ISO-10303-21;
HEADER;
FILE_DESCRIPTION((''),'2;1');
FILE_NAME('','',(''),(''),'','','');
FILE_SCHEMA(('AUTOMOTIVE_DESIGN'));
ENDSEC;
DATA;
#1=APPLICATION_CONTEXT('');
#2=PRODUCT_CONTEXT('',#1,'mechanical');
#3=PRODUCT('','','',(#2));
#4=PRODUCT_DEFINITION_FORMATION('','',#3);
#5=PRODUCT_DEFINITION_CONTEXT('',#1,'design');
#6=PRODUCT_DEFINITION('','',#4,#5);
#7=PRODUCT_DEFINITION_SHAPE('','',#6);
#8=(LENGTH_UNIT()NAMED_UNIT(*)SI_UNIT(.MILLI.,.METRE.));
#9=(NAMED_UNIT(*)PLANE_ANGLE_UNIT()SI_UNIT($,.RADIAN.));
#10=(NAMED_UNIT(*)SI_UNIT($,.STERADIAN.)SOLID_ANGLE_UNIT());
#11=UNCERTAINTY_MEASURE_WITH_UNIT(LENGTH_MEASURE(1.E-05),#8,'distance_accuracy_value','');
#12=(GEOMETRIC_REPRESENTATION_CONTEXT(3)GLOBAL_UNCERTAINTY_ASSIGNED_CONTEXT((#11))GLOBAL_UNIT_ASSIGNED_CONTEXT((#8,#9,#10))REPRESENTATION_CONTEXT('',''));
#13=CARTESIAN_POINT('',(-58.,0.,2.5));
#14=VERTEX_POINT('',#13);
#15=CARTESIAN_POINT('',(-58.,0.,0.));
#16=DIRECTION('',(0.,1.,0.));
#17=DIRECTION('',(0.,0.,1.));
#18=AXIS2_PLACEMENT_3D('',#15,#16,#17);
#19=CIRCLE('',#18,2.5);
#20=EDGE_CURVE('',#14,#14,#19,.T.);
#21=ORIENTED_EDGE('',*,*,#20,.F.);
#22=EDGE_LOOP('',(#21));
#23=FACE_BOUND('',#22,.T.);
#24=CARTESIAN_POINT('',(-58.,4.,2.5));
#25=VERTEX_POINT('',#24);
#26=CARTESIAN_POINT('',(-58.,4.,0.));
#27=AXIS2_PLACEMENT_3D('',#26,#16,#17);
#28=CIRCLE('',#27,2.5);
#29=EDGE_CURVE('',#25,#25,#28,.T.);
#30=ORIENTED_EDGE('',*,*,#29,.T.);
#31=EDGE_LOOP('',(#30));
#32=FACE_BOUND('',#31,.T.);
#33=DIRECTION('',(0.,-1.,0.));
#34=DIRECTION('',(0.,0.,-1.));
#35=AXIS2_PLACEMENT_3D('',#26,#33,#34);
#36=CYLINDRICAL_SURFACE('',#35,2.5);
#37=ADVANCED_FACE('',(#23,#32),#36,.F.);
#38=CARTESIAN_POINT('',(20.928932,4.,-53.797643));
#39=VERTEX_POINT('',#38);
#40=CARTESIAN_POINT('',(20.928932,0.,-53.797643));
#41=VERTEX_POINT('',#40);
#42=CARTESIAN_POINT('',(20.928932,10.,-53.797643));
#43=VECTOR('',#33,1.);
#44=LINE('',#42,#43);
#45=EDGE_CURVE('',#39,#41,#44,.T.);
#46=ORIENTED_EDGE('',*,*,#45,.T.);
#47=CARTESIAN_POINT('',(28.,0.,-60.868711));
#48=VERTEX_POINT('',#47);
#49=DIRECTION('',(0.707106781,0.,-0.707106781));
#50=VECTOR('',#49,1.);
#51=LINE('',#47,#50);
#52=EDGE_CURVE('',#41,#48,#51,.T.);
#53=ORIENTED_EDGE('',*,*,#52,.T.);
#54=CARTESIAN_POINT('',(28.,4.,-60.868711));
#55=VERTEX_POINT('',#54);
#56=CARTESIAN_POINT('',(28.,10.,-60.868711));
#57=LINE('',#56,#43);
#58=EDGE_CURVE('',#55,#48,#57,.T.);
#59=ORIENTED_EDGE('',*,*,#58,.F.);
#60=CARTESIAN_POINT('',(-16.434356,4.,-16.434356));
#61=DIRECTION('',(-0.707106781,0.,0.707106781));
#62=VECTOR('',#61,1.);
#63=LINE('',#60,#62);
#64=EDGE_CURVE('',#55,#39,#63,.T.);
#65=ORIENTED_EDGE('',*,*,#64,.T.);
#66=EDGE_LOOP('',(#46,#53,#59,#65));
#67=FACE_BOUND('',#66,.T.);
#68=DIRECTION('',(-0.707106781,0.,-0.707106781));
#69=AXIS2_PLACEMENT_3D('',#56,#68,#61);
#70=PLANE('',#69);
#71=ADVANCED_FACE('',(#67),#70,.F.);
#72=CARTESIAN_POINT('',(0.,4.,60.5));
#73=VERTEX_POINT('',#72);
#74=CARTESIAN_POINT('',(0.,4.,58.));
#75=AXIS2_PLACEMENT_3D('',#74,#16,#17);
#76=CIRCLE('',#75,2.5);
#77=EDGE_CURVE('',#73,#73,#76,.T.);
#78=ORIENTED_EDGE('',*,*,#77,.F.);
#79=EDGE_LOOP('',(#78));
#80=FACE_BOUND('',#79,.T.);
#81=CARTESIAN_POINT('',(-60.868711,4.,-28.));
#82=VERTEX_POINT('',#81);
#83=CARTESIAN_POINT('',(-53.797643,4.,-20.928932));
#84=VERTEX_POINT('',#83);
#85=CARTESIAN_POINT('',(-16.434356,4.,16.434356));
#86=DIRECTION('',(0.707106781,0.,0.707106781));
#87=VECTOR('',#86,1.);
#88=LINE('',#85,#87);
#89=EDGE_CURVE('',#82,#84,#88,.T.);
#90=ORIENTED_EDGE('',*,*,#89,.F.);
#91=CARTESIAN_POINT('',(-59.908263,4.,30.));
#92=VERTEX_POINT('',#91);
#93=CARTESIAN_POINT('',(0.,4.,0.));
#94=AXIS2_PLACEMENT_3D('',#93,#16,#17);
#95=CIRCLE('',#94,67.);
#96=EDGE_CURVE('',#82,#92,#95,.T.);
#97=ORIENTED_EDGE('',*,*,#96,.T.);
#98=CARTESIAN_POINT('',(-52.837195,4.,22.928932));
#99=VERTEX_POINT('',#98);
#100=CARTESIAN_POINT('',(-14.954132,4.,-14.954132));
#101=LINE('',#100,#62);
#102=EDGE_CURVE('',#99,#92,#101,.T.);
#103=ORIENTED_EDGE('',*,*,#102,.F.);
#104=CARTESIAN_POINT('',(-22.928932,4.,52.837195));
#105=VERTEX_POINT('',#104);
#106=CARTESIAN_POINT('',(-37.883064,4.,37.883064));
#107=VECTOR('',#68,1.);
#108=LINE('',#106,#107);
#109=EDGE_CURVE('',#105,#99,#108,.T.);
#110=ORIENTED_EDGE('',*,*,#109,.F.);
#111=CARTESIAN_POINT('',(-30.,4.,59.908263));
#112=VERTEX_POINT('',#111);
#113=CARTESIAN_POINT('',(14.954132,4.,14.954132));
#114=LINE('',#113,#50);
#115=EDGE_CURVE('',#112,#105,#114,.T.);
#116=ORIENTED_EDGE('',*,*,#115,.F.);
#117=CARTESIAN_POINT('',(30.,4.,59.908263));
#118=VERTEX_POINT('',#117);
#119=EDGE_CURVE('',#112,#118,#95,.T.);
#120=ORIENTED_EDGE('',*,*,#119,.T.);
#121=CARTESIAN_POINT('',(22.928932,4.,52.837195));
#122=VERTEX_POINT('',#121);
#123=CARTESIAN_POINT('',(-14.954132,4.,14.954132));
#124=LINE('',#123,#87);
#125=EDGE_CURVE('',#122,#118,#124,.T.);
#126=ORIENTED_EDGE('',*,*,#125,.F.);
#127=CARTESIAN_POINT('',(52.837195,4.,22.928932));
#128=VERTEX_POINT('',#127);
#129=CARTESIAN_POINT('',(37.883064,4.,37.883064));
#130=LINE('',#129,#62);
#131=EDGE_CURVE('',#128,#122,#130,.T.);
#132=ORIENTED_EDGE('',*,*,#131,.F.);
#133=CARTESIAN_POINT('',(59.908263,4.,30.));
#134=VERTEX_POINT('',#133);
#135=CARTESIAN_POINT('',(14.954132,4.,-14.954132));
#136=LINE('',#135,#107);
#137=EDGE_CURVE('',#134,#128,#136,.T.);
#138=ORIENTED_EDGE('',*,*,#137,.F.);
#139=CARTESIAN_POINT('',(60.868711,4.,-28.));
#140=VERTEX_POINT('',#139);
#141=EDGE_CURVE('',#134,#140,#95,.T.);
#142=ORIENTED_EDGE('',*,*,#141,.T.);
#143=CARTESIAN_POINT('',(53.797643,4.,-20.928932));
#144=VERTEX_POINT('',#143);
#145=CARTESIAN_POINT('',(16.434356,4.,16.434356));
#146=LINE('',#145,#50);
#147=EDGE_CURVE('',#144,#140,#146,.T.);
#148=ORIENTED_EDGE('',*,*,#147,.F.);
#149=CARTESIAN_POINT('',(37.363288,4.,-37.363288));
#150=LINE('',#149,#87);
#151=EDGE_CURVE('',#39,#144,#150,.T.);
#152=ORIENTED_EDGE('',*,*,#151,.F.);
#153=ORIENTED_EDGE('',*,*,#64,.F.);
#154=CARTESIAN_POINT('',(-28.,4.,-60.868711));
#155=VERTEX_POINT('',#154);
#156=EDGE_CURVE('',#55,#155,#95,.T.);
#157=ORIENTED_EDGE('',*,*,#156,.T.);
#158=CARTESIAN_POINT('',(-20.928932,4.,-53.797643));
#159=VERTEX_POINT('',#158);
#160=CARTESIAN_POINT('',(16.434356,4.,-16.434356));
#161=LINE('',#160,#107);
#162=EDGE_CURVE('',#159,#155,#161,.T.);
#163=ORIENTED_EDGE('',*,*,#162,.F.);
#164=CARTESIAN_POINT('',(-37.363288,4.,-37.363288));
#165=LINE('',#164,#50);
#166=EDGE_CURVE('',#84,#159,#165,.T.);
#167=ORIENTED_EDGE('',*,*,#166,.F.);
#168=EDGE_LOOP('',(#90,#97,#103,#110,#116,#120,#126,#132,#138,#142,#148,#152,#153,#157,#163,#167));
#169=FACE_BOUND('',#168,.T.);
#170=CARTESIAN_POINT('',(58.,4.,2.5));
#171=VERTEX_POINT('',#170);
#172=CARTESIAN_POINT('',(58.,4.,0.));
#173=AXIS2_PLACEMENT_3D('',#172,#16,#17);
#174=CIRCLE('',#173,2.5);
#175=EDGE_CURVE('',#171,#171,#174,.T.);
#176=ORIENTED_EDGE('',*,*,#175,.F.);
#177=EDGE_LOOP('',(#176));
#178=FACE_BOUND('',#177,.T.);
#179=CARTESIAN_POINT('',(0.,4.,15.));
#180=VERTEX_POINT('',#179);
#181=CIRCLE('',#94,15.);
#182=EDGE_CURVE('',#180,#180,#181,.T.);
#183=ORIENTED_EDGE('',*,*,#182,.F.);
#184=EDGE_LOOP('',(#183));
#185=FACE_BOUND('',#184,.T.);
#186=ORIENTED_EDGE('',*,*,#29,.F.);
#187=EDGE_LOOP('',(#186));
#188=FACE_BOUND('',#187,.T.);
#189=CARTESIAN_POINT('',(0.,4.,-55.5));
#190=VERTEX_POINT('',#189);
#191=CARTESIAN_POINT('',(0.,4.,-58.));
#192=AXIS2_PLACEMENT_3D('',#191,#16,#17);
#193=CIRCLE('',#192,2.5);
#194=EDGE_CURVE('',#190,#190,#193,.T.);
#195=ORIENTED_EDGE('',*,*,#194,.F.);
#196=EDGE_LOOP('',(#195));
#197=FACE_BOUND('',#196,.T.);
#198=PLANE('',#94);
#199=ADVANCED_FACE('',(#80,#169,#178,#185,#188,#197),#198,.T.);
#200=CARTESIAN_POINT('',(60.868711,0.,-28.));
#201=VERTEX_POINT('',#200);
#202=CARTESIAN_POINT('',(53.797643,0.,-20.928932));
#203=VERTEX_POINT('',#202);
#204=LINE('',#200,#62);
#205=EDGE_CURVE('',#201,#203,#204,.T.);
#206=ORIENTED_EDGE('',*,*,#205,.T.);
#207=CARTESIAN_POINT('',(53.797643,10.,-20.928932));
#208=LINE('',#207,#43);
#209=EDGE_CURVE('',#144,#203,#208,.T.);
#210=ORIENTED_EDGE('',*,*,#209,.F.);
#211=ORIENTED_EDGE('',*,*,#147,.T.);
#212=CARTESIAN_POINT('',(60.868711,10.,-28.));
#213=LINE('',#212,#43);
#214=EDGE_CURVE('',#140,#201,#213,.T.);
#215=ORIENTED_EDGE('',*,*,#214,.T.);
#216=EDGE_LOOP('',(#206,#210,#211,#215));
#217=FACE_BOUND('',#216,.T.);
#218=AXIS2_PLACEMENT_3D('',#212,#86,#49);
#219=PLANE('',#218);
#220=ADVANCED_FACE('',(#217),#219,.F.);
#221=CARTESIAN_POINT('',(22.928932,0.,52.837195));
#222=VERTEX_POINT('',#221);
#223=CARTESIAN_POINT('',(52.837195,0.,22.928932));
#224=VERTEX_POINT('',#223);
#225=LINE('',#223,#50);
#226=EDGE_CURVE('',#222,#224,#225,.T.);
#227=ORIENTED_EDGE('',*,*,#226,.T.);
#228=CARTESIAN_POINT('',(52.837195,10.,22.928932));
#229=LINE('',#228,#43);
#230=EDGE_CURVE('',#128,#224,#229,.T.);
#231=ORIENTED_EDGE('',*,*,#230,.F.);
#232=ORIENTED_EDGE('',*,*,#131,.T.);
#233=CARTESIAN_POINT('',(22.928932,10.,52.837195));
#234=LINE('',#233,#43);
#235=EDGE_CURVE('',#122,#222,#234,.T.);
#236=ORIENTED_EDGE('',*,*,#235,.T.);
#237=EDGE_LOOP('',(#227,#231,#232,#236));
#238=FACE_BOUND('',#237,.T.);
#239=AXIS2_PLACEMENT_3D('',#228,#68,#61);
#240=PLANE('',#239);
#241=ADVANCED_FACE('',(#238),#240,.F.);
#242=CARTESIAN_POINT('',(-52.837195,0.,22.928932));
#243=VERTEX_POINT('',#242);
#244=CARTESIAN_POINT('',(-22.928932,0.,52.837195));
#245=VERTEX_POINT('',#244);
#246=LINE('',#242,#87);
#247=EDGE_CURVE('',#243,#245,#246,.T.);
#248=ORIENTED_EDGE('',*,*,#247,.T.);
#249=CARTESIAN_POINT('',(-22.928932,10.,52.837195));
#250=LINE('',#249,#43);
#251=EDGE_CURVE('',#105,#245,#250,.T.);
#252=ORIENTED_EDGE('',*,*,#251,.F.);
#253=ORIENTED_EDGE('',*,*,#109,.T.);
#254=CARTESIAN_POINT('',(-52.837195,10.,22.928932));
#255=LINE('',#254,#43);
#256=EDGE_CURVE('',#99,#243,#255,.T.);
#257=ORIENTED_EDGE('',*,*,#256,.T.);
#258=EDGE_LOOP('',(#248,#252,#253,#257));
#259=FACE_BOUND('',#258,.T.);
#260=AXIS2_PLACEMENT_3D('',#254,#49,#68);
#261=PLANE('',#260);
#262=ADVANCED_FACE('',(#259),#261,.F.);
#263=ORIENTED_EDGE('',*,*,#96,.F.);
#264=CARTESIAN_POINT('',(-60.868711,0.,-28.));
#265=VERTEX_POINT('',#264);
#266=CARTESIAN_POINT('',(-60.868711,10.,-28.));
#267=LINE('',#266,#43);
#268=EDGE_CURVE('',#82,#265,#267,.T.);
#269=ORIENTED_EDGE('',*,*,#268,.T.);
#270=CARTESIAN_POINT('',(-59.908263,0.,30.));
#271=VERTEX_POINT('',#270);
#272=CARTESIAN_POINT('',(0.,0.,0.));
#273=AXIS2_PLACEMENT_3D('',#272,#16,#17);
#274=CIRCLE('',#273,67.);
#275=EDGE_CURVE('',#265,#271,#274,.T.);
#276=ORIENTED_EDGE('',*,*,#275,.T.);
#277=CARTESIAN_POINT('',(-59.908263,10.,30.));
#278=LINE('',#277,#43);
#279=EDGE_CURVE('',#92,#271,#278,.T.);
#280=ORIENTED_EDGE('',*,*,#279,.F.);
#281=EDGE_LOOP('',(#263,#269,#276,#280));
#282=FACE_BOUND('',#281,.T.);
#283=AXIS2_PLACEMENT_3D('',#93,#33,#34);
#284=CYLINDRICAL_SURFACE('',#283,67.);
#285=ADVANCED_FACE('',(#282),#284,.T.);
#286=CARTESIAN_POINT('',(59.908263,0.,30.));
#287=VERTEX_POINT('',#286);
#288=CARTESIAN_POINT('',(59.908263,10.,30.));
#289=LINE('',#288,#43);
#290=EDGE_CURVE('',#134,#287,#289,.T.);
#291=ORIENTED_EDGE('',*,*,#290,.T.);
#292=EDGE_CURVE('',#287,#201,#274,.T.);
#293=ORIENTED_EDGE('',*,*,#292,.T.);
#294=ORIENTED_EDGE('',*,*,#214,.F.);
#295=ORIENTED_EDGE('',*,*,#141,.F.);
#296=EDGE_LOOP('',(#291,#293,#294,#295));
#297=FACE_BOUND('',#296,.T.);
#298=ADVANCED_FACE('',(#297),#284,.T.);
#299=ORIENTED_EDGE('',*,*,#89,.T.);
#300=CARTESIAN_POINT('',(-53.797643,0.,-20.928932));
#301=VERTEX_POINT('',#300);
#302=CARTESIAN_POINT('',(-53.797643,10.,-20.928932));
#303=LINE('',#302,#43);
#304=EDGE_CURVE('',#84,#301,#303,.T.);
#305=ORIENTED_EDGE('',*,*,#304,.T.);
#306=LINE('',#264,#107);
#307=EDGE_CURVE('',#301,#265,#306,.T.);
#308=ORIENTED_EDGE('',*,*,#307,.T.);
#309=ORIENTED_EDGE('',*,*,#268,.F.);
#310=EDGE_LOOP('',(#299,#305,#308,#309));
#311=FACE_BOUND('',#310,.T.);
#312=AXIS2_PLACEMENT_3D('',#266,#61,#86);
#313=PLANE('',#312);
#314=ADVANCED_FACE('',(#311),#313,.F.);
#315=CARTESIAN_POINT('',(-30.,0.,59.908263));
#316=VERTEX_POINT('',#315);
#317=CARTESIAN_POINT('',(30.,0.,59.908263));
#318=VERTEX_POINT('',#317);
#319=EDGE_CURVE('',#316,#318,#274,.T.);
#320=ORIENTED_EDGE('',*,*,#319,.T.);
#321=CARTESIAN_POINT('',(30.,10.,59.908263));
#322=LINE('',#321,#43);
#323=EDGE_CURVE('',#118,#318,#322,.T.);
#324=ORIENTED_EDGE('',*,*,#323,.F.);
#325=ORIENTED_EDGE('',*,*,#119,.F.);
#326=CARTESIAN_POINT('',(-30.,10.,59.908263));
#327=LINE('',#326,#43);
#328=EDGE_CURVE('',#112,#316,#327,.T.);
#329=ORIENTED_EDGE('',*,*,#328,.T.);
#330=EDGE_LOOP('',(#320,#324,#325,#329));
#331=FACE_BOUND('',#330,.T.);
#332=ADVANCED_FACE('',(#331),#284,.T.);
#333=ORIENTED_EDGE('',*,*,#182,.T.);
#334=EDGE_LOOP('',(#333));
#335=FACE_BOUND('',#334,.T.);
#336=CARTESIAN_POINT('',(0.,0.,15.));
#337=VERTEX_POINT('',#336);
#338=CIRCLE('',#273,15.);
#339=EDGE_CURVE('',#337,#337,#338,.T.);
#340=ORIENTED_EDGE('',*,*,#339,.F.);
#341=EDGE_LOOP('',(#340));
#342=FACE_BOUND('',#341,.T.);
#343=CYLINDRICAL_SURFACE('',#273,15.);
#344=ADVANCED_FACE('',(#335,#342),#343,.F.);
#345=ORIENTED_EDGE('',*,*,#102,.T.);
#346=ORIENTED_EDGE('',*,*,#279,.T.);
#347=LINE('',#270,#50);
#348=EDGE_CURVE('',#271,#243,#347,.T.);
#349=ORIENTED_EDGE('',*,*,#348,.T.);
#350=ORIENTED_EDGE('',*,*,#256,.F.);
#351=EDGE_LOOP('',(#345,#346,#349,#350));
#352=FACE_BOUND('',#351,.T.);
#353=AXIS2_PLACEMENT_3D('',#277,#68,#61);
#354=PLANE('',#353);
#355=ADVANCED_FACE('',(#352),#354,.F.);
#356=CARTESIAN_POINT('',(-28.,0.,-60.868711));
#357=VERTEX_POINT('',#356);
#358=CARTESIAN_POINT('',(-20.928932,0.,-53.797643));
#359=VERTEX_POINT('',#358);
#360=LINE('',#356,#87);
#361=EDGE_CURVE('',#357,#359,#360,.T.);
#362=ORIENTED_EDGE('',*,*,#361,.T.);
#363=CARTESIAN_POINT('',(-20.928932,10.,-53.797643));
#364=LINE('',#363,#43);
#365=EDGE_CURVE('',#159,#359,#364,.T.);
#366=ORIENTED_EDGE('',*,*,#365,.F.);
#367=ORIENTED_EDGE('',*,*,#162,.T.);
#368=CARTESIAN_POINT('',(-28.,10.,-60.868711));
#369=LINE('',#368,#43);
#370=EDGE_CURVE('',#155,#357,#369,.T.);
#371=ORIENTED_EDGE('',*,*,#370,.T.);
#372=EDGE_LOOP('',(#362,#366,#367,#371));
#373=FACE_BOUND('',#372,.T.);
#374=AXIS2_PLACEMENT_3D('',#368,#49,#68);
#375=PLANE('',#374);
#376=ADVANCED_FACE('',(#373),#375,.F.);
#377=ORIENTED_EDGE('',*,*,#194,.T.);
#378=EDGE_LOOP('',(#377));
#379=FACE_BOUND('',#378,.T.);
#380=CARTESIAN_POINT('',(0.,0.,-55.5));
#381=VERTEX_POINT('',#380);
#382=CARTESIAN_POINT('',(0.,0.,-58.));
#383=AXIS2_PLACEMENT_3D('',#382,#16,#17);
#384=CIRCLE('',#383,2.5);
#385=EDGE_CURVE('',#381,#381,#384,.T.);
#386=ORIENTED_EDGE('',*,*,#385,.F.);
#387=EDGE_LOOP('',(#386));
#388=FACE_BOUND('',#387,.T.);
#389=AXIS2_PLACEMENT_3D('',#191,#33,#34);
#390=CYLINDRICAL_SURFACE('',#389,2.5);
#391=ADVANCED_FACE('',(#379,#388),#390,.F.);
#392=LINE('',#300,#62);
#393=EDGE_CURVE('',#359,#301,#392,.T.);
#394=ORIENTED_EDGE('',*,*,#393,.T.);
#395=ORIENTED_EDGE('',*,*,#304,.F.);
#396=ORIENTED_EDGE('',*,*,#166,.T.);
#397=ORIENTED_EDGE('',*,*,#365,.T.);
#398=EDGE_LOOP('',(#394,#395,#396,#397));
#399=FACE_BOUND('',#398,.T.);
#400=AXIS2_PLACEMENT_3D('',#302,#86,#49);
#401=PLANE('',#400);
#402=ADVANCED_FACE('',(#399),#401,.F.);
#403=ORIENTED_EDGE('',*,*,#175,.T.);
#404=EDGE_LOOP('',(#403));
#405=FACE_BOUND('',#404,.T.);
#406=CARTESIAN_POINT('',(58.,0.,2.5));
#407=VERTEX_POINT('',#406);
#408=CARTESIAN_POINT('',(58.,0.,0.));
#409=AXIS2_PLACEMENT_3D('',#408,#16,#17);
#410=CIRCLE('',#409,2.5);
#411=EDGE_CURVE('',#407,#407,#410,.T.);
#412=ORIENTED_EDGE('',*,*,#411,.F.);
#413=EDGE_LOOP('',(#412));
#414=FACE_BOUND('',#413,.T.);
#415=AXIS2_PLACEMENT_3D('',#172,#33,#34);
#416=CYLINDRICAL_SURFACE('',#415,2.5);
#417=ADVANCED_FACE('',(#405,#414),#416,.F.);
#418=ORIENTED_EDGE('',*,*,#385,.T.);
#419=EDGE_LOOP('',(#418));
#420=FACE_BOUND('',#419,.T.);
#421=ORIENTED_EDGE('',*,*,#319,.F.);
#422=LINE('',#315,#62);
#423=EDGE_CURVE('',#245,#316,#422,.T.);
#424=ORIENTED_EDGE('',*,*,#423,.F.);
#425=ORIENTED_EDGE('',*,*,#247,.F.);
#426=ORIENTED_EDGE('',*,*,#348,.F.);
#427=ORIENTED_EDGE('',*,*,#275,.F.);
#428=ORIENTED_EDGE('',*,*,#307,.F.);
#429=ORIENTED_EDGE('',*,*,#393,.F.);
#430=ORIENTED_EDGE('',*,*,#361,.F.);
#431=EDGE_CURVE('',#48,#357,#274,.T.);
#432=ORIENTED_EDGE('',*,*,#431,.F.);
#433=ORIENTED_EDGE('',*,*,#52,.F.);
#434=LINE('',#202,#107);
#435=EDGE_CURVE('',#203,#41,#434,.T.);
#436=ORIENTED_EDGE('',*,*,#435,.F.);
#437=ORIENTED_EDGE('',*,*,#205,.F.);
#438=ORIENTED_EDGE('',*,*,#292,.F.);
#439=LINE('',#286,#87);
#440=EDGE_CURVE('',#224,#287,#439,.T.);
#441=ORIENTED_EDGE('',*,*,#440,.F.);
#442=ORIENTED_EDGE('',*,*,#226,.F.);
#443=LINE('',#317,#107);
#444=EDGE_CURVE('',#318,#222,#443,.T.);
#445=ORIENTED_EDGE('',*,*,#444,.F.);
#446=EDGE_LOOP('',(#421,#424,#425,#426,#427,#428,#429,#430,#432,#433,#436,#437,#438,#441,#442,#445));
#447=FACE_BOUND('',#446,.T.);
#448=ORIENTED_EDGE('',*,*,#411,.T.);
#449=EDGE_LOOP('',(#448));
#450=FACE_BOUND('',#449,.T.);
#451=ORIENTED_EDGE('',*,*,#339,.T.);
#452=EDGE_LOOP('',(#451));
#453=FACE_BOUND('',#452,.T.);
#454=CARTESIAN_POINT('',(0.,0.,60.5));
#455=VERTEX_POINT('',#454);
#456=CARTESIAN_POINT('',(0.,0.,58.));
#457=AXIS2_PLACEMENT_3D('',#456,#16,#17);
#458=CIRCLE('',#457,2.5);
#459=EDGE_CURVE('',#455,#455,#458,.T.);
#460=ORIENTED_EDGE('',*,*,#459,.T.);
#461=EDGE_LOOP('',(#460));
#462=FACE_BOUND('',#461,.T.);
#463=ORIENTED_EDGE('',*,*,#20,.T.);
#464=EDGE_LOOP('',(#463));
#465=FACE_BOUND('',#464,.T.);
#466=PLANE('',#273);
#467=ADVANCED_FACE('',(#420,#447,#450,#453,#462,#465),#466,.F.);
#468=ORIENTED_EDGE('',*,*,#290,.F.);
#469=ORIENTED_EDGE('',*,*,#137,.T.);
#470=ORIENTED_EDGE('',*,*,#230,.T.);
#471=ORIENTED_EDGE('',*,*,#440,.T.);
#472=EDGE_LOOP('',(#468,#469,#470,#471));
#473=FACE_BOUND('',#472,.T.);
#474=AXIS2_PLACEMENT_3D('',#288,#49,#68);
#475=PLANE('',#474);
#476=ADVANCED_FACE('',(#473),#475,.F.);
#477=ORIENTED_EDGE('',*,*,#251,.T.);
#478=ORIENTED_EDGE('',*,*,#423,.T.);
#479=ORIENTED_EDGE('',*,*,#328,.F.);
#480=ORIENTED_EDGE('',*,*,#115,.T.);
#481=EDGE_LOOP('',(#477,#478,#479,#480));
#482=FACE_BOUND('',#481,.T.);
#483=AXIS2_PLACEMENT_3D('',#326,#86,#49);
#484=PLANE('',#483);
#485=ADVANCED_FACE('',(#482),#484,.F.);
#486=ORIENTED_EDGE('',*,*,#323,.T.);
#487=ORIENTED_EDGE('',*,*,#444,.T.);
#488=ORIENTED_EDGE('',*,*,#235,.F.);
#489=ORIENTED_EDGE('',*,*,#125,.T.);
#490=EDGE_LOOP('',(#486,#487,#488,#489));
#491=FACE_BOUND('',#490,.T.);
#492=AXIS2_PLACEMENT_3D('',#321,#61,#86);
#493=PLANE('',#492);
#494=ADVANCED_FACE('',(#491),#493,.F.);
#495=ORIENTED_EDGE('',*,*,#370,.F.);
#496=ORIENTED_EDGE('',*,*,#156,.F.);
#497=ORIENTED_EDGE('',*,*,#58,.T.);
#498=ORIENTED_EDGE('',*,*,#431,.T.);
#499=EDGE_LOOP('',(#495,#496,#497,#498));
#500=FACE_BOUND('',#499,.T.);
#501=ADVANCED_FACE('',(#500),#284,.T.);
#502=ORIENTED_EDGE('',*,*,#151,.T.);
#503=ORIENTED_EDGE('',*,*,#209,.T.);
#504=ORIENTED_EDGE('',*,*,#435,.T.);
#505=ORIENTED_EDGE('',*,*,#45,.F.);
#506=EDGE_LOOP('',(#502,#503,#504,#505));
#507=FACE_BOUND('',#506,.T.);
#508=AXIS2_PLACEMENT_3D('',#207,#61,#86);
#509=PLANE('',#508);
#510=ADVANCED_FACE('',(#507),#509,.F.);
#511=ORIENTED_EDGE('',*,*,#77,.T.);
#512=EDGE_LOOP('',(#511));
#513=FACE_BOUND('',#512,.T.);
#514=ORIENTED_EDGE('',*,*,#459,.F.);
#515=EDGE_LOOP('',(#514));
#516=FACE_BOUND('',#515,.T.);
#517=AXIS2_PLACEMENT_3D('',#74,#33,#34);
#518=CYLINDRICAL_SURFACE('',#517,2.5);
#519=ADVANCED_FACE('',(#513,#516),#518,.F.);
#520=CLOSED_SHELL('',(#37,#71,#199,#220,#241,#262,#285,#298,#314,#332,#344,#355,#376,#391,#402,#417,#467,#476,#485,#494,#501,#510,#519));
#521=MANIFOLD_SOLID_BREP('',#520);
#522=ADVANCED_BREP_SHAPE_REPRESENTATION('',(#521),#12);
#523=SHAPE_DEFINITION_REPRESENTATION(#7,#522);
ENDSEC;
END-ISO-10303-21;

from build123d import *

# Parameters (mm, degrees)
SKETCH1_R           = 67
SKETCH1_R_2         = 2.5
BOSS_EXTRUDE1_DEPTH = 4
SKETCH2_R           = 15
CUT_EXTRUDE1_DEPTH  = 4
CUT_EXTRUDE2_DEPTH  = 10


with BuildPart() as part:
    # Sketch1 → Boss-Extrude1 (new body)
    with BuildSketch(Plane(origin=(0, 0, 0), x_dir=(1, 0, 0), z_dir=(0, 1, 0))):
        with Locations(Location((0, 0, 0), (0, 0, 270))):
            Circle(SKETCH1_R)
        with Locations(Location((-58, 0, 0), (0, 0, 270))):
            Circle(SKETCH1_R_2, mode=Mode.SUBTRACT)
        with Locations(Location((0, -58, 0), (0, 0, 270))):
            Circle(SKETCH1_R_2, mode=Mode.SUBTRACT)
        with Locations(Location((58, 0, 0), (0, 0, 270))):
            Circle(SKETCH1_R_2, mode=Mode.SUBTRACT)
        with Locations(Location((0, 58, 0), (0, 0, 270))):
            Circle(SKETCH1_R_2, mode=Mode.SUBTRACT)
    extrude(amount=BOSS_EXTRUDE1_DEPTH)

    # Sketch2 → Cut-Extrude1 (cut)
    with BuildSketch(Plane(origin=(0, 4, 0), x_dir=(1, 0, 0), z_dir=(0, 1, 0))):
        with Locations(Location((0, 0, 0), (0, 0, 270))):
            Circle(SKETCH2_R)
    extrude(amount=-CUT_EXTRUDE1_DEPTH, mode=Mode.SUBTRACT)

    # Sketch4 → Cut-Extrude2 (cut)
    with BuildSketch(Plane.XZ):
        with BuildLine():
            Line((59.908263203, 30), (52.837195391, 22.928932188))
            Line((52.837195391, 22.928932188), (22.928932188, 52.837195391))
            Line((22.928932188, 52.837195391), (30, 59.908263203))
            ThreePointArc((30, 59.908263203), (47.376154339, 47.376154339), (59.908263203, 30))
        make_face()
        with BuildLine():
            Line((-59.908263203, 30), (-52.837195391, 22.928932188))
            Line((-52.837195391, 22.928932188), (-22.928932188, 52.837195391))
            Line((-22.928932188, 52.837195391), (-30, 59.908263203))
            ThreePointArc((-30, 59.908263203), (-47.376154339, 47.376154339), (-59.908263203, 30))
        make_face()
        with BuildLine():
            Line((-53.797643362, -20.928932188), (-20.928932188, -53.797643362))
            Line((-20.928932188, -53.797643362), (-28, -60.868711174))
            ThreePointArc((-28, -60.868711174), (-47.376154339, -47.376154339), (-60.868711174, -28))
            Line((-60.868711174, -28), (-53.797643362, -20.928932188))
        make_face()
        with BuildLine():
            Line((53.797643362, -20.928932188), (20.928932188, -53.797643362))
            Line((20.928932188, -53.797643362), (28, -60.868711174))
            ThreePointArc((28, -60.868711174), (47.376154339, -47.376154339), (60.868711174, -28))
            Line((60.868711174, -28), (53.797643362, -20.928932188))
        make_face()
    extrude(amount=-CUT_EXTRUDE2_DEPTH, mode=Mode.SUBTRACT)


solid = part.part
